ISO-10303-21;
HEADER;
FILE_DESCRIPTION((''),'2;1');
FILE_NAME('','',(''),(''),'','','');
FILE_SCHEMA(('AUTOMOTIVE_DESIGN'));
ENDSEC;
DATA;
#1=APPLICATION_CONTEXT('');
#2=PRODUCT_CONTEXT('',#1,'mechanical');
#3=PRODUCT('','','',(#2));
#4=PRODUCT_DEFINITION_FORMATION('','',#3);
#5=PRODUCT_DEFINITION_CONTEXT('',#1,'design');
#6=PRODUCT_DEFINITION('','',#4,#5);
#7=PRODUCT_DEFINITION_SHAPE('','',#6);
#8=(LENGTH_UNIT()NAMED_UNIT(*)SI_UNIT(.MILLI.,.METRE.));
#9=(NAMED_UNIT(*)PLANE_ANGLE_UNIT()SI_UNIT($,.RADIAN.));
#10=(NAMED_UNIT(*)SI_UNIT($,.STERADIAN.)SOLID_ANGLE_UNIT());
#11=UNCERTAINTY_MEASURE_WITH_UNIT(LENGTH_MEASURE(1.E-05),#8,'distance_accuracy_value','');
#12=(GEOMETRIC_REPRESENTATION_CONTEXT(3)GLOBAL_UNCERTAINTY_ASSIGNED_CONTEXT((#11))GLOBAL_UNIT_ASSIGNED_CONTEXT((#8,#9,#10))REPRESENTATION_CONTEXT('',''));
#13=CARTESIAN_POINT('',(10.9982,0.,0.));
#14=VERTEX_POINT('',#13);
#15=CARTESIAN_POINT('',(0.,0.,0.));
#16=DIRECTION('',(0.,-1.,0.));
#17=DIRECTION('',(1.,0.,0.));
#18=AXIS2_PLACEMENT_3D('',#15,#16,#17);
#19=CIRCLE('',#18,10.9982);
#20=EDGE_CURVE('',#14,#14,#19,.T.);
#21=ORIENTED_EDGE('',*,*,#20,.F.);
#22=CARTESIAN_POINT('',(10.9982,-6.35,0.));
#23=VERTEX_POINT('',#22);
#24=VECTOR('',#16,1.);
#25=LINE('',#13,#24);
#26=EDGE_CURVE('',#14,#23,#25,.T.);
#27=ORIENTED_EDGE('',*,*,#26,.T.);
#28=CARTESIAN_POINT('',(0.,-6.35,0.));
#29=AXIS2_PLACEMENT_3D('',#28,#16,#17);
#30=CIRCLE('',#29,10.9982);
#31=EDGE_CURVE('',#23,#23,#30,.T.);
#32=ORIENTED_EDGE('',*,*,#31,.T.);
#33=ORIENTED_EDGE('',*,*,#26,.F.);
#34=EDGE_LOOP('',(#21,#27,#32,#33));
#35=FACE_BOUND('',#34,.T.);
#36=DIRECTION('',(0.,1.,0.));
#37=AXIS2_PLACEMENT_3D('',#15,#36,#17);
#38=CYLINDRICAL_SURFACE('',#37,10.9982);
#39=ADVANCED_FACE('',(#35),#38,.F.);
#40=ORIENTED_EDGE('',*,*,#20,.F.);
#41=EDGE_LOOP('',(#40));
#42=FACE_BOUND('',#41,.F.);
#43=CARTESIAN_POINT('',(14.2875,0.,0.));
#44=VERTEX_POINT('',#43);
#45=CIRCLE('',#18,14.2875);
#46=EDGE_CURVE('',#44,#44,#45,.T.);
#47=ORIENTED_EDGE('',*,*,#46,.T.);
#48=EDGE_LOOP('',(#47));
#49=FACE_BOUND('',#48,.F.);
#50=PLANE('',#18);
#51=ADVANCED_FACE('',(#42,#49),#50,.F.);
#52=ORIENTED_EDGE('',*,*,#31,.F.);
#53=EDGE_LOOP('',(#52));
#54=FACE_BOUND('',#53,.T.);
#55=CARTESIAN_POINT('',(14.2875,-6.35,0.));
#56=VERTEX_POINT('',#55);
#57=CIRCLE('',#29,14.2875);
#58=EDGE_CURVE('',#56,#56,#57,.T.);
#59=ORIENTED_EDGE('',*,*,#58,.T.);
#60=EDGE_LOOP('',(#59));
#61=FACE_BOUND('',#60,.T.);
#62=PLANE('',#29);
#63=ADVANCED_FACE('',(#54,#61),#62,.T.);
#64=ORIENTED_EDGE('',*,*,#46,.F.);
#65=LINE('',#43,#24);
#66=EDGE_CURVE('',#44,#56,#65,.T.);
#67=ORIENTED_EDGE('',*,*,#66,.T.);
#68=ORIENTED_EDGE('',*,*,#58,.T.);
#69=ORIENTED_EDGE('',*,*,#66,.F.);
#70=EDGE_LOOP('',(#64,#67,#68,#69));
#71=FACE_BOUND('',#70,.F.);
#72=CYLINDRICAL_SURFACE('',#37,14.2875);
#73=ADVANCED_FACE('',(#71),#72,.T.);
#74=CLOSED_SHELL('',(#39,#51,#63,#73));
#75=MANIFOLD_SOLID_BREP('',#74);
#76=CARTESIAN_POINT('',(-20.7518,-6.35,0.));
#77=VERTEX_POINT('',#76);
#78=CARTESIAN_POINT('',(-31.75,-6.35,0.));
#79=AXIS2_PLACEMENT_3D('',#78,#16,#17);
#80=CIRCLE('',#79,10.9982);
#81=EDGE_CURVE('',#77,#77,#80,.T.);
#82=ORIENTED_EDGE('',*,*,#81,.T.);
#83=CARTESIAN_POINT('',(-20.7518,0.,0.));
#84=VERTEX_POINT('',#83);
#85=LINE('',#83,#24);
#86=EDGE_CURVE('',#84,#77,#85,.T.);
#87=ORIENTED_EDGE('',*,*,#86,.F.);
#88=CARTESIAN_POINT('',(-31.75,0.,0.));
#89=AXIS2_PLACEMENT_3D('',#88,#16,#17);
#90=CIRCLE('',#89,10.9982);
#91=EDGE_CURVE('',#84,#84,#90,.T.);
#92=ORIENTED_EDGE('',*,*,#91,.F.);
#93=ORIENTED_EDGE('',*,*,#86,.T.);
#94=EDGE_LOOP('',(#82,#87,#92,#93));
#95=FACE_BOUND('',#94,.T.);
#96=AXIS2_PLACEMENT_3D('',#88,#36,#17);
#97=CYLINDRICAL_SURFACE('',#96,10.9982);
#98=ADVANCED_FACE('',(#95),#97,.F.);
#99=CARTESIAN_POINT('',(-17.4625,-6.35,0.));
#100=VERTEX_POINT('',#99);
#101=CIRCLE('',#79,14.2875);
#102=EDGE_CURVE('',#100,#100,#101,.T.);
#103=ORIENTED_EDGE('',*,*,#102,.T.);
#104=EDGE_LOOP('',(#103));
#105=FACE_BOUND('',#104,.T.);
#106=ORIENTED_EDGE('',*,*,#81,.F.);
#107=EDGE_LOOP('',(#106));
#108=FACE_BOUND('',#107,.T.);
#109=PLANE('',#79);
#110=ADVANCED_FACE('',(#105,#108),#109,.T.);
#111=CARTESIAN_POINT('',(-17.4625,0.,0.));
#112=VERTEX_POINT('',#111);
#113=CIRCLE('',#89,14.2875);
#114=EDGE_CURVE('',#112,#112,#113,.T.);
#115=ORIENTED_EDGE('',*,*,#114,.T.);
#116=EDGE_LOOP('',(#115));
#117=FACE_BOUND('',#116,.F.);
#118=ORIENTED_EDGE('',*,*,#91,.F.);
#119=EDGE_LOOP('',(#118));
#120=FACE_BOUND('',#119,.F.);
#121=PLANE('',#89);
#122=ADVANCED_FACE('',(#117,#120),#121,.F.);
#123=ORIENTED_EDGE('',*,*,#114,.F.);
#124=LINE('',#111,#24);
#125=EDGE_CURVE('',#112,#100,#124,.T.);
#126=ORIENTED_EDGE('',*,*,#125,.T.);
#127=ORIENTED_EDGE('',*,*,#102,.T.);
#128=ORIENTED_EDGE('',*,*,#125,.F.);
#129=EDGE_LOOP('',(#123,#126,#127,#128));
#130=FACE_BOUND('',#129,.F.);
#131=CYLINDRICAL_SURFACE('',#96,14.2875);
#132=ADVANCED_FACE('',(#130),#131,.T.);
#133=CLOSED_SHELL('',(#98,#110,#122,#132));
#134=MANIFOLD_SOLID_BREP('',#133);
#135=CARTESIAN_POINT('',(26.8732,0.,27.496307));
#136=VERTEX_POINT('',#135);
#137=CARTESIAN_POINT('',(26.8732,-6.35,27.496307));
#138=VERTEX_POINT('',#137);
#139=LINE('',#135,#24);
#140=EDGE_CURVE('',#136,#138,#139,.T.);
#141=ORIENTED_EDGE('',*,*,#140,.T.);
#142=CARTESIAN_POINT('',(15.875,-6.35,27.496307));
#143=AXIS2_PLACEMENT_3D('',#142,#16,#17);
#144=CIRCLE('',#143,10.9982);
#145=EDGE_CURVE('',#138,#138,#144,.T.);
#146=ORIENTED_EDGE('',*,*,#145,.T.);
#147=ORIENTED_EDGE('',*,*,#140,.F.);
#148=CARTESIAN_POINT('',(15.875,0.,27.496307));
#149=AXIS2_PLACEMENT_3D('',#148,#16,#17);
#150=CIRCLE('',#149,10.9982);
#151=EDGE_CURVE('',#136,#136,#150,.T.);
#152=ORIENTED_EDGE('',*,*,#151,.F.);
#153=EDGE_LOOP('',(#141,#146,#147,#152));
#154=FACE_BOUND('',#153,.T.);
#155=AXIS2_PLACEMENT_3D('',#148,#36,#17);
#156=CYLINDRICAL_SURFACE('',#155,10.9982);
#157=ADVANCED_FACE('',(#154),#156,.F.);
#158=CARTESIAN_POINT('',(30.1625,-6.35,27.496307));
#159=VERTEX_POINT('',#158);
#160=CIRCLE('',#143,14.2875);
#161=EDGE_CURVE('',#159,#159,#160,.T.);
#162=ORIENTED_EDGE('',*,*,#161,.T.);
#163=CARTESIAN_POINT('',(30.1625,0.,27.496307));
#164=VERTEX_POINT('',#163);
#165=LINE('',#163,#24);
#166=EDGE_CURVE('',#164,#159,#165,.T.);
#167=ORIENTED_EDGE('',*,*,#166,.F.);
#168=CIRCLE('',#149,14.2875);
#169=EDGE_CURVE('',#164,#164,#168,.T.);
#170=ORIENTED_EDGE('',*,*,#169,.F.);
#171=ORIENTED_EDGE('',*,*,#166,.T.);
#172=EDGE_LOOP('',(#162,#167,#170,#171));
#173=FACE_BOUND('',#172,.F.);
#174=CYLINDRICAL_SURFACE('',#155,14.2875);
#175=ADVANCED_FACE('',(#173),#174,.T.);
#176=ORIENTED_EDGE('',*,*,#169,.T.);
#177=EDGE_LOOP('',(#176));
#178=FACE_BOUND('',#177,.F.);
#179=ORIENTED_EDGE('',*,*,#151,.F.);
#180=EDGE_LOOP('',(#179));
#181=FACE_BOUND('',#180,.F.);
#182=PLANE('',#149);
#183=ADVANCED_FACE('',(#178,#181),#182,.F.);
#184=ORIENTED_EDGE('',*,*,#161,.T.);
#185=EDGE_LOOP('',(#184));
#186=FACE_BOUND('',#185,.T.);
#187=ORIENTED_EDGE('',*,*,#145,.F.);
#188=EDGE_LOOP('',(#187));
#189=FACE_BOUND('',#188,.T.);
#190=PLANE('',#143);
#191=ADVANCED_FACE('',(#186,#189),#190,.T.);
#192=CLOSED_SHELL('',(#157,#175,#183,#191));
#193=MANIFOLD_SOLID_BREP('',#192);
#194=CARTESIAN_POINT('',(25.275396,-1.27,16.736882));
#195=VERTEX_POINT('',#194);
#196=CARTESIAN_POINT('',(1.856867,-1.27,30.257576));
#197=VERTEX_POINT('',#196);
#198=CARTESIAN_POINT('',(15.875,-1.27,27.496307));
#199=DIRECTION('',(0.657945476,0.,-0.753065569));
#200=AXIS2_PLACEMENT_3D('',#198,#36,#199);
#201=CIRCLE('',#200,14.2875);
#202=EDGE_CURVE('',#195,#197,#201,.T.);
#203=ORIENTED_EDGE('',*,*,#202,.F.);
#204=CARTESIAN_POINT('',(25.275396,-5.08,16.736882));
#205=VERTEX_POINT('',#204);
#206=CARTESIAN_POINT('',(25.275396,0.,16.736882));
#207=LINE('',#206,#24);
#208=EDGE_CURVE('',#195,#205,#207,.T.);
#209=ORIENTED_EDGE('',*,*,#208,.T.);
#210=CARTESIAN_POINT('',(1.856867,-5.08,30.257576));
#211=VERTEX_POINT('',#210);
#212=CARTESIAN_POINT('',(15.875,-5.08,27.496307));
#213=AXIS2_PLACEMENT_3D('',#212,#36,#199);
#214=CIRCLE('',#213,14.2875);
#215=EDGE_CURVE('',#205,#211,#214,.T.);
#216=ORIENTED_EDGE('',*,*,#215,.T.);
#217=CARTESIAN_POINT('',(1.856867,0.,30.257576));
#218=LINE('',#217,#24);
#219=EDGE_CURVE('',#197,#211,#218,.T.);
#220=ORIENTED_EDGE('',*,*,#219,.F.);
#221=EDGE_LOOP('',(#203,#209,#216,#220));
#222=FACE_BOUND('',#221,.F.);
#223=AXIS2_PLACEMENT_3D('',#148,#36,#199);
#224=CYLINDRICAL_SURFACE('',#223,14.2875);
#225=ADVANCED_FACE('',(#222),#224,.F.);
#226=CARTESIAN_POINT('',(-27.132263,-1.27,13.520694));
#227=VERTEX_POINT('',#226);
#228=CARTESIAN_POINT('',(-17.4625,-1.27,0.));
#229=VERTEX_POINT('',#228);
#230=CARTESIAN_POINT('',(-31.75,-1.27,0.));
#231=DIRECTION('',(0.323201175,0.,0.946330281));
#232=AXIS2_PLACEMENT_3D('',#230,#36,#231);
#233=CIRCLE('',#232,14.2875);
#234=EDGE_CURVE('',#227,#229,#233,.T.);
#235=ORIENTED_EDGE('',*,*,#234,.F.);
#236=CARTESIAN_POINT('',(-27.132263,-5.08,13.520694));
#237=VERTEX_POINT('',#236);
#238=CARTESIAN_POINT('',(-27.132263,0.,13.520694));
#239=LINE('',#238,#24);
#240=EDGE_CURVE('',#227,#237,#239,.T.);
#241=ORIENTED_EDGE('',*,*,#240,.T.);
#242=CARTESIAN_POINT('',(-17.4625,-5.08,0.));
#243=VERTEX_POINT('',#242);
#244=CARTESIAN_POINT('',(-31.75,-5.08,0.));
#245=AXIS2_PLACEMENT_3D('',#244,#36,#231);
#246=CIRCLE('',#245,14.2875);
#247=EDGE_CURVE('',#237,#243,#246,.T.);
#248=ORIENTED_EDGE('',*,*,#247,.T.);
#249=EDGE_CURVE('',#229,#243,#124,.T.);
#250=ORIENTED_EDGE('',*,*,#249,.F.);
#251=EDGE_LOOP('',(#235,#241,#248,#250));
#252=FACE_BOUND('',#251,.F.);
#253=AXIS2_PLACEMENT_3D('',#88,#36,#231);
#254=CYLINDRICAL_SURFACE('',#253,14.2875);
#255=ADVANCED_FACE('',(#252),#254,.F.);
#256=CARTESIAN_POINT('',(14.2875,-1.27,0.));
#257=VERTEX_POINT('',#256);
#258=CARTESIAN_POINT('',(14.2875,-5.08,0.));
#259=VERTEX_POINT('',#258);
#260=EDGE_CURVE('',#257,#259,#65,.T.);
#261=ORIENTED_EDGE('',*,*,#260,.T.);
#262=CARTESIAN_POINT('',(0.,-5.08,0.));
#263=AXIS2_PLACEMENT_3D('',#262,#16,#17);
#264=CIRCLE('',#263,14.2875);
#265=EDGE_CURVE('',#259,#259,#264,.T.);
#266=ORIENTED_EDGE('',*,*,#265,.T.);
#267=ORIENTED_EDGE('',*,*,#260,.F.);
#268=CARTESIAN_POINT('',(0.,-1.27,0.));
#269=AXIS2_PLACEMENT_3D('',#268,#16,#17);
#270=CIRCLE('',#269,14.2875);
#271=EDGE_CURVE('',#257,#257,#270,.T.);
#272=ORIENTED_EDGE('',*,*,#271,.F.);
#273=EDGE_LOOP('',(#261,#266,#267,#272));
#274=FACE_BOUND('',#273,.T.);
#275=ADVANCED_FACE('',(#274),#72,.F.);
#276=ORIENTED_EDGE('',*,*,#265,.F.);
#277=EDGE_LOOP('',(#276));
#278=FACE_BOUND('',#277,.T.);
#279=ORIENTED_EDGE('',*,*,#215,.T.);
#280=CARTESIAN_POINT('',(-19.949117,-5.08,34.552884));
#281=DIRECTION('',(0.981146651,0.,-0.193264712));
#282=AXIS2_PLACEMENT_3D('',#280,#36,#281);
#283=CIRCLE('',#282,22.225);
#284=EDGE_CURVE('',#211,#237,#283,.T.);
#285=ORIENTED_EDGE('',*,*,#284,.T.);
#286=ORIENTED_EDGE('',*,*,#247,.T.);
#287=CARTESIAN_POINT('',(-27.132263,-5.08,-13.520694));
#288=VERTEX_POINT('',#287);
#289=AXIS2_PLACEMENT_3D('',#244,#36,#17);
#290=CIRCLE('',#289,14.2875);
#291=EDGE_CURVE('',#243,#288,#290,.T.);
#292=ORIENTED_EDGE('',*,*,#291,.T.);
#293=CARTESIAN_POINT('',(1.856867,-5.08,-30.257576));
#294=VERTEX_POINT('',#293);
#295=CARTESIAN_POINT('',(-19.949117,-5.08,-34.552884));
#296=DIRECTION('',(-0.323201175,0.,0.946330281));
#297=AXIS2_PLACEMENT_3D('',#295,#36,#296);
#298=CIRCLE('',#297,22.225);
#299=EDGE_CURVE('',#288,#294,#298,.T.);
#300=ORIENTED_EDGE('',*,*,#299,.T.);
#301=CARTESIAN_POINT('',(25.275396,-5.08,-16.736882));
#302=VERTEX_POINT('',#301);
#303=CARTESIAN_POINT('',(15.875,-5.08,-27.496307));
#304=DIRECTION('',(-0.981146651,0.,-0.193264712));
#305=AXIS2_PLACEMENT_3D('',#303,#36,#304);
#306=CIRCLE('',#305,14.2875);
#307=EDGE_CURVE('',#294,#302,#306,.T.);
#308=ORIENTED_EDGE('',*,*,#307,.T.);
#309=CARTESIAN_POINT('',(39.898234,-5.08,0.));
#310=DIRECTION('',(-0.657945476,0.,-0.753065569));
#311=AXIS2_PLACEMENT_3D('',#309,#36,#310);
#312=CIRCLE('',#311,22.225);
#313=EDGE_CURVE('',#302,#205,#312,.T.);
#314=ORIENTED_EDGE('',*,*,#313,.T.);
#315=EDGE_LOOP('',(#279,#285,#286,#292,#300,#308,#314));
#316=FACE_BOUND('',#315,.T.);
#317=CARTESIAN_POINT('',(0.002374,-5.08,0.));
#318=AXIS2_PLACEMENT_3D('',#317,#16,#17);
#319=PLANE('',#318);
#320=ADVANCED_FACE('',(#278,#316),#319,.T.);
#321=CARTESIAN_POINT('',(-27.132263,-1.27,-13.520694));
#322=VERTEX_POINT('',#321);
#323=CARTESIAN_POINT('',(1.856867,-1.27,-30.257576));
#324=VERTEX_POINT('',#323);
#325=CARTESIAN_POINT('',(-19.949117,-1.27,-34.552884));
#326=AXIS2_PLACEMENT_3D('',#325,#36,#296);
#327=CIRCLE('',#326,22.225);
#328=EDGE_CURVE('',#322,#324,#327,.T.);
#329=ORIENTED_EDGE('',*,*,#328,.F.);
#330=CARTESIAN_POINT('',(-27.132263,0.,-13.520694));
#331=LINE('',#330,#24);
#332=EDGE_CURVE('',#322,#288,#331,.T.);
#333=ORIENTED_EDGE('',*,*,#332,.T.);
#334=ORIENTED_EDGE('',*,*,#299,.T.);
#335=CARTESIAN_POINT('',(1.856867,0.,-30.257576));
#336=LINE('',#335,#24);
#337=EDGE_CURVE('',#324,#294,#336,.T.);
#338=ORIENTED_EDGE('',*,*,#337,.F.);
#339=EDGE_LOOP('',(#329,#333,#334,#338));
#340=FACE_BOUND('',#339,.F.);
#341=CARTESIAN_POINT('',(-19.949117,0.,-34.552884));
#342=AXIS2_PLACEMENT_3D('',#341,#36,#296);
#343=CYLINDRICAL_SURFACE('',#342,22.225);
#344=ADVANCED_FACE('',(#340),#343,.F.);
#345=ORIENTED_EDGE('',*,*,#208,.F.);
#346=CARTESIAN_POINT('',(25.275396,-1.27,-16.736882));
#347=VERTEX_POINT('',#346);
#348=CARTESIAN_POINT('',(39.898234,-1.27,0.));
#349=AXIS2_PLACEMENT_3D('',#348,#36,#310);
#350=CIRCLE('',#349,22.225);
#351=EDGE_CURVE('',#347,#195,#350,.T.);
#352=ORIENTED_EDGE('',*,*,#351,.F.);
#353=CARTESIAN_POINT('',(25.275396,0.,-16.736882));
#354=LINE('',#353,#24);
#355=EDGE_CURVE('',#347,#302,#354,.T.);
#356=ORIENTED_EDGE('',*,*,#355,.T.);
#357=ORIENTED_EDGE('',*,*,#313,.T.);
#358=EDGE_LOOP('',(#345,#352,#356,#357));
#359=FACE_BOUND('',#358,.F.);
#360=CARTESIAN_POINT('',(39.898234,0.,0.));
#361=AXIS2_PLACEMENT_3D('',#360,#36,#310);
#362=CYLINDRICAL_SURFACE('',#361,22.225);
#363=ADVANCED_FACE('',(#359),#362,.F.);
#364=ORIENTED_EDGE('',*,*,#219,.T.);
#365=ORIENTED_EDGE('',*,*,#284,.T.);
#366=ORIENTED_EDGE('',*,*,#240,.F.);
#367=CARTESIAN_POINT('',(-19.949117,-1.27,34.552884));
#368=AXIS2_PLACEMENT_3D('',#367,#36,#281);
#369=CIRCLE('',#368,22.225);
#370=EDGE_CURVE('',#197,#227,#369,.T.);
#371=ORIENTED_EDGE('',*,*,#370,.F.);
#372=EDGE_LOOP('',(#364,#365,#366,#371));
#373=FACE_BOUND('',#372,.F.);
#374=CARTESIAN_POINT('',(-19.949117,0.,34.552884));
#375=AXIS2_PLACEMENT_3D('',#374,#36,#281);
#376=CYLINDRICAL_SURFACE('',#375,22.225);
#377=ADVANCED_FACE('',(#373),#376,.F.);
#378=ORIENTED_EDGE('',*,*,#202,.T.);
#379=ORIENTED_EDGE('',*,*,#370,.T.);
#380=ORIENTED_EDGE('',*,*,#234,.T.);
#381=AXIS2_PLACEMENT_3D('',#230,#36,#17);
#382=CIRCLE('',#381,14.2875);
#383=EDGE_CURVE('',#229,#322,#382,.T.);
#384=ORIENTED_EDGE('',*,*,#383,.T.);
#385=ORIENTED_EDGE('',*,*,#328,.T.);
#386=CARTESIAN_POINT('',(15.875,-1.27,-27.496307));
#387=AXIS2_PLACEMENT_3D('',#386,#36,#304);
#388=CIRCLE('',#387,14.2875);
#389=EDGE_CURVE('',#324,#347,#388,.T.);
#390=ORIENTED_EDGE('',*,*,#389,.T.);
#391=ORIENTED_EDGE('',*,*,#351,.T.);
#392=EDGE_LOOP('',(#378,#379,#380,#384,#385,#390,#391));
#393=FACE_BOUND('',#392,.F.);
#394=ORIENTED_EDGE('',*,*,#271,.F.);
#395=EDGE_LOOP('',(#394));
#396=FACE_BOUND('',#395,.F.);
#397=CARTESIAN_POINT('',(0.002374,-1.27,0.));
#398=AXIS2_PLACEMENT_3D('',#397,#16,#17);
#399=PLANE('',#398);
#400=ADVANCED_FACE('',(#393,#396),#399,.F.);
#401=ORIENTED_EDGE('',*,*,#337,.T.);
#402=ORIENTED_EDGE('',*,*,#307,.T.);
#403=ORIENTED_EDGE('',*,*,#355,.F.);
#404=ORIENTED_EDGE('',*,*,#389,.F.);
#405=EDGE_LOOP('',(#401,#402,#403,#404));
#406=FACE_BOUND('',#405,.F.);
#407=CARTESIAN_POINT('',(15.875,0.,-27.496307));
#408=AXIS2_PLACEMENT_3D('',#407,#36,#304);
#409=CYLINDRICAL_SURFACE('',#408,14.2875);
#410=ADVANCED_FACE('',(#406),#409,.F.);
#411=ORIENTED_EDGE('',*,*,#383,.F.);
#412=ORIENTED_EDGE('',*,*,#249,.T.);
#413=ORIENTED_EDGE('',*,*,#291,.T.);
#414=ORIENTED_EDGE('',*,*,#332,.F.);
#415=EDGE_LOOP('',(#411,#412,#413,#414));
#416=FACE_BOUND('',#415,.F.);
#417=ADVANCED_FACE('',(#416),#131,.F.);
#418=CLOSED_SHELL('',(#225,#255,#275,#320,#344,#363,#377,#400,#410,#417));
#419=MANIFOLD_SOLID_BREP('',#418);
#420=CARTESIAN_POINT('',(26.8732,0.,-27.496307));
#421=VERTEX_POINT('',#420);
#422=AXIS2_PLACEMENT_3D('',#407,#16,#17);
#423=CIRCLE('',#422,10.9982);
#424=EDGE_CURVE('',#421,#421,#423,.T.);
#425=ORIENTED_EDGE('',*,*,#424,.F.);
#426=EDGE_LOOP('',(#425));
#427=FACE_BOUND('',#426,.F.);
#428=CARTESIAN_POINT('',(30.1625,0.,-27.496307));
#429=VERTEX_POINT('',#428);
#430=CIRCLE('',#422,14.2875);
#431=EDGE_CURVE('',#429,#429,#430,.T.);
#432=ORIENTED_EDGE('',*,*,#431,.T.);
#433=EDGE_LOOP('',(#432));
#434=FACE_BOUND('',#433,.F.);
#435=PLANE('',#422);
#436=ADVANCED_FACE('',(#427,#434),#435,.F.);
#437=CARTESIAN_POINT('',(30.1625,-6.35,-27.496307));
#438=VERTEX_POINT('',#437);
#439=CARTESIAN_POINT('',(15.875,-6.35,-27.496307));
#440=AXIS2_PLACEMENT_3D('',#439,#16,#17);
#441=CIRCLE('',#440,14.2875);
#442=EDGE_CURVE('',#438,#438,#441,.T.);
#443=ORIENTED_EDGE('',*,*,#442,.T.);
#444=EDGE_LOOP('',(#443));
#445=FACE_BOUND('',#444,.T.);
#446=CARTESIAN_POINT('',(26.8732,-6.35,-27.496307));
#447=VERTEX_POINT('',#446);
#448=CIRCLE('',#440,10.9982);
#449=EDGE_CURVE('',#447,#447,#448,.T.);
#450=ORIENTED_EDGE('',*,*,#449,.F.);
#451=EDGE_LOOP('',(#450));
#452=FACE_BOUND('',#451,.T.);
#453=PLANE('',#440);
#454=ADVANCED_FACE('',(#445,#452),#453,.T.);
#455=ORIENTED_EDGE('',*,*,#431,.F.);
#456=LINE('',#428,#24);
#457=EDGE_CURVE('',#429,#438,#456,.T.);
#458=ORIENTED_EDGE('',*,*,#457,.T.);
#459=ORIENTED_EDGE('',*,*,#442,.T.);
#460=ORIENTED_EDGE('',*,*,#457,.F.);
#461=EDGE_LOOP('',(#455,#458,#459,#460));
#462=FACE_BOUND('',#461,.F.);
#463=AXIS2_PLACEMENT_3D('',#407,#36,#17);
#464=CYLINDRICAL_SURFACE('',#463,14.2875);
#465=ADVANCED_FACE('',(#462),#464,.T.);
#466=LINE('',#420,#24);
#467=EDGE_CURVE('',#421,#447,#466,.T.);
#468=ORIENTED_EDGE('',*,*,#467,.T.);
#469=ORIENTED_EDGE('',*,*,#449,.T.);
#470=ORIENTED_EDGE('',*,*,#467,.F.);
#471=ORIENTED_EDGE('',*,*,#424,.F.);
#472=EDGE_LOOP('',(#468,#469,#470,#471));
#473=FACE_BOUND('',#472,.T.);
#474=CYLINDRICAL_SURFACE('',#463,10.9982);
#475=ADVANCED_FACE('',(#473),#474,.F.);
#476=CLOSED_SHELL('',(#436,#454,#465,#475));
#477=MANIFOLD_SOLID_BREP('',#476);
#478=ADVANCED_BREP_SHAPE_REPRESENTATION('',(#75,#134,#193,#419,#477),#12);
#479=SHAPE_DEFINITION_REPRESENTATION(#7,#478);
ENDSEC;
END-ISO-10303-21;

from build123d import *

# Parameters (mm, degrees)
F0_R     = 14.2875
F0_R_2   = 10.9982
F2_DEPTH = 6.35
F1_R     = 14.2875
F3_DEPTH = 1.27
F4_DEPTH = 1.27


with BuildPart() as f2:
    # F0 (on Front) → F2 (new body)
    with BuildSketch(Plane.XZ):
        with Locations((-31.75, 0)):
            Circle(F0_R)
        with Locations((-31.75, 0)):
            Circle(F0_R_2, mode=Mode.SUBTRACT)
    extrude(amount=F2_DEPTH)


with BuildPart() as f2b:
    # F0 (on Front) → F2, piece 2 (new body)
    with BuildSketch(Plane.XZ):
        with Locations((15.875, 27.4963065702)):
            Circle(F0_R)
        with Locations((15.875, 27.4963065702)):
            Circle(F0_R_2, mode=Mode.SUBTRACT)
    extrude(amount=F2_DEPTH)


with BuildPart() as f2c:
    # F0 (on Front) → F2, piece 3 (new body)
    with BuildSketch(Plane.XZ):
        with Locations((15.875, -27.4963065702)):
            Circle(F0_R)
        with Locations((15.875, -27.4963065702)):
            Circle(F0_R_2, mode=Mode.SUBTRACT)
    extrude(amount=F2_DEPTH)


with BuildPart() as f2d:
    # F0 (on Front) → F2, piece 4 (new body)
    with BuildSketch(Plane.XZ):
        Circle(F0_R)
        Circle(F0_R_2, mode=Mode.SUBTRACT)
    extrude(amount=F2_DEPTH)


with BuildPart() as f2e:
    # F1 (on Front) → F2, piece 5 (new body)
    with BuildSketch(Plane.XZ):
        with BuildLine():
            ThreePointArc((1.8568672225, 30.257576148), (-8.8366170981, 15.305469781), (-27.1322632123, 13.5206938879))
            ThreePointArc((-27.1322632123, 13.5206938879), (-20.1287141287, 8.3113399009), (-17.4625, 0))
            ThreePointArc((-17.4625, 0), (-20.1287141287, -8.3113399009), (-27.1322632123, -13.5206938879))
            ThreePointArc((-27.1322632123, -13.5206938879), (-8.8366170981, -15.305469781), (1.8568672225, -30.257576148))
            ThreePointArc((1.8568672225, -30.257576148), (8.73125, -15.1229686136), (25.2753959899, -16.7368822601))
            ThreePointArc((25.2753959899, -16.7368822601), (17.6732341963, 0), (25.2753959899, 16.7368822601))
            ThreePointArc((25.2753959899, 16.7368822601), (8.73125, 15.1229686136), (1.8568672225, 30.257576148))
        make_face()
        Circle(F1_R, mode=Mode.SUBTRACT)
    extrude(amount=F2_DEPTH)

    # F3 (cut): a face of the model
    f3_faces = [f2e.faces().sort_by_distance(p)[0] for p in [
        (16.8726939787, 0, 0),
    ]]
    extrude(f3_faces, amount=-F3_DEPTH, mode=Mode.SUBTRACT)

    # F4 (cut): a face of the model
    f4_faces = [f2e.faces().sort_by_distance(p)[0] for p in [
        (16.8726939787, -6.35, 0),
    ]]
    extrude(f4_faces, amount=-F4_DEPTH, mode=Mode.SUBTRACT)


solid = Compound([f2.part, f2b.part, f2c.part, f2d.part, f2e.part])
